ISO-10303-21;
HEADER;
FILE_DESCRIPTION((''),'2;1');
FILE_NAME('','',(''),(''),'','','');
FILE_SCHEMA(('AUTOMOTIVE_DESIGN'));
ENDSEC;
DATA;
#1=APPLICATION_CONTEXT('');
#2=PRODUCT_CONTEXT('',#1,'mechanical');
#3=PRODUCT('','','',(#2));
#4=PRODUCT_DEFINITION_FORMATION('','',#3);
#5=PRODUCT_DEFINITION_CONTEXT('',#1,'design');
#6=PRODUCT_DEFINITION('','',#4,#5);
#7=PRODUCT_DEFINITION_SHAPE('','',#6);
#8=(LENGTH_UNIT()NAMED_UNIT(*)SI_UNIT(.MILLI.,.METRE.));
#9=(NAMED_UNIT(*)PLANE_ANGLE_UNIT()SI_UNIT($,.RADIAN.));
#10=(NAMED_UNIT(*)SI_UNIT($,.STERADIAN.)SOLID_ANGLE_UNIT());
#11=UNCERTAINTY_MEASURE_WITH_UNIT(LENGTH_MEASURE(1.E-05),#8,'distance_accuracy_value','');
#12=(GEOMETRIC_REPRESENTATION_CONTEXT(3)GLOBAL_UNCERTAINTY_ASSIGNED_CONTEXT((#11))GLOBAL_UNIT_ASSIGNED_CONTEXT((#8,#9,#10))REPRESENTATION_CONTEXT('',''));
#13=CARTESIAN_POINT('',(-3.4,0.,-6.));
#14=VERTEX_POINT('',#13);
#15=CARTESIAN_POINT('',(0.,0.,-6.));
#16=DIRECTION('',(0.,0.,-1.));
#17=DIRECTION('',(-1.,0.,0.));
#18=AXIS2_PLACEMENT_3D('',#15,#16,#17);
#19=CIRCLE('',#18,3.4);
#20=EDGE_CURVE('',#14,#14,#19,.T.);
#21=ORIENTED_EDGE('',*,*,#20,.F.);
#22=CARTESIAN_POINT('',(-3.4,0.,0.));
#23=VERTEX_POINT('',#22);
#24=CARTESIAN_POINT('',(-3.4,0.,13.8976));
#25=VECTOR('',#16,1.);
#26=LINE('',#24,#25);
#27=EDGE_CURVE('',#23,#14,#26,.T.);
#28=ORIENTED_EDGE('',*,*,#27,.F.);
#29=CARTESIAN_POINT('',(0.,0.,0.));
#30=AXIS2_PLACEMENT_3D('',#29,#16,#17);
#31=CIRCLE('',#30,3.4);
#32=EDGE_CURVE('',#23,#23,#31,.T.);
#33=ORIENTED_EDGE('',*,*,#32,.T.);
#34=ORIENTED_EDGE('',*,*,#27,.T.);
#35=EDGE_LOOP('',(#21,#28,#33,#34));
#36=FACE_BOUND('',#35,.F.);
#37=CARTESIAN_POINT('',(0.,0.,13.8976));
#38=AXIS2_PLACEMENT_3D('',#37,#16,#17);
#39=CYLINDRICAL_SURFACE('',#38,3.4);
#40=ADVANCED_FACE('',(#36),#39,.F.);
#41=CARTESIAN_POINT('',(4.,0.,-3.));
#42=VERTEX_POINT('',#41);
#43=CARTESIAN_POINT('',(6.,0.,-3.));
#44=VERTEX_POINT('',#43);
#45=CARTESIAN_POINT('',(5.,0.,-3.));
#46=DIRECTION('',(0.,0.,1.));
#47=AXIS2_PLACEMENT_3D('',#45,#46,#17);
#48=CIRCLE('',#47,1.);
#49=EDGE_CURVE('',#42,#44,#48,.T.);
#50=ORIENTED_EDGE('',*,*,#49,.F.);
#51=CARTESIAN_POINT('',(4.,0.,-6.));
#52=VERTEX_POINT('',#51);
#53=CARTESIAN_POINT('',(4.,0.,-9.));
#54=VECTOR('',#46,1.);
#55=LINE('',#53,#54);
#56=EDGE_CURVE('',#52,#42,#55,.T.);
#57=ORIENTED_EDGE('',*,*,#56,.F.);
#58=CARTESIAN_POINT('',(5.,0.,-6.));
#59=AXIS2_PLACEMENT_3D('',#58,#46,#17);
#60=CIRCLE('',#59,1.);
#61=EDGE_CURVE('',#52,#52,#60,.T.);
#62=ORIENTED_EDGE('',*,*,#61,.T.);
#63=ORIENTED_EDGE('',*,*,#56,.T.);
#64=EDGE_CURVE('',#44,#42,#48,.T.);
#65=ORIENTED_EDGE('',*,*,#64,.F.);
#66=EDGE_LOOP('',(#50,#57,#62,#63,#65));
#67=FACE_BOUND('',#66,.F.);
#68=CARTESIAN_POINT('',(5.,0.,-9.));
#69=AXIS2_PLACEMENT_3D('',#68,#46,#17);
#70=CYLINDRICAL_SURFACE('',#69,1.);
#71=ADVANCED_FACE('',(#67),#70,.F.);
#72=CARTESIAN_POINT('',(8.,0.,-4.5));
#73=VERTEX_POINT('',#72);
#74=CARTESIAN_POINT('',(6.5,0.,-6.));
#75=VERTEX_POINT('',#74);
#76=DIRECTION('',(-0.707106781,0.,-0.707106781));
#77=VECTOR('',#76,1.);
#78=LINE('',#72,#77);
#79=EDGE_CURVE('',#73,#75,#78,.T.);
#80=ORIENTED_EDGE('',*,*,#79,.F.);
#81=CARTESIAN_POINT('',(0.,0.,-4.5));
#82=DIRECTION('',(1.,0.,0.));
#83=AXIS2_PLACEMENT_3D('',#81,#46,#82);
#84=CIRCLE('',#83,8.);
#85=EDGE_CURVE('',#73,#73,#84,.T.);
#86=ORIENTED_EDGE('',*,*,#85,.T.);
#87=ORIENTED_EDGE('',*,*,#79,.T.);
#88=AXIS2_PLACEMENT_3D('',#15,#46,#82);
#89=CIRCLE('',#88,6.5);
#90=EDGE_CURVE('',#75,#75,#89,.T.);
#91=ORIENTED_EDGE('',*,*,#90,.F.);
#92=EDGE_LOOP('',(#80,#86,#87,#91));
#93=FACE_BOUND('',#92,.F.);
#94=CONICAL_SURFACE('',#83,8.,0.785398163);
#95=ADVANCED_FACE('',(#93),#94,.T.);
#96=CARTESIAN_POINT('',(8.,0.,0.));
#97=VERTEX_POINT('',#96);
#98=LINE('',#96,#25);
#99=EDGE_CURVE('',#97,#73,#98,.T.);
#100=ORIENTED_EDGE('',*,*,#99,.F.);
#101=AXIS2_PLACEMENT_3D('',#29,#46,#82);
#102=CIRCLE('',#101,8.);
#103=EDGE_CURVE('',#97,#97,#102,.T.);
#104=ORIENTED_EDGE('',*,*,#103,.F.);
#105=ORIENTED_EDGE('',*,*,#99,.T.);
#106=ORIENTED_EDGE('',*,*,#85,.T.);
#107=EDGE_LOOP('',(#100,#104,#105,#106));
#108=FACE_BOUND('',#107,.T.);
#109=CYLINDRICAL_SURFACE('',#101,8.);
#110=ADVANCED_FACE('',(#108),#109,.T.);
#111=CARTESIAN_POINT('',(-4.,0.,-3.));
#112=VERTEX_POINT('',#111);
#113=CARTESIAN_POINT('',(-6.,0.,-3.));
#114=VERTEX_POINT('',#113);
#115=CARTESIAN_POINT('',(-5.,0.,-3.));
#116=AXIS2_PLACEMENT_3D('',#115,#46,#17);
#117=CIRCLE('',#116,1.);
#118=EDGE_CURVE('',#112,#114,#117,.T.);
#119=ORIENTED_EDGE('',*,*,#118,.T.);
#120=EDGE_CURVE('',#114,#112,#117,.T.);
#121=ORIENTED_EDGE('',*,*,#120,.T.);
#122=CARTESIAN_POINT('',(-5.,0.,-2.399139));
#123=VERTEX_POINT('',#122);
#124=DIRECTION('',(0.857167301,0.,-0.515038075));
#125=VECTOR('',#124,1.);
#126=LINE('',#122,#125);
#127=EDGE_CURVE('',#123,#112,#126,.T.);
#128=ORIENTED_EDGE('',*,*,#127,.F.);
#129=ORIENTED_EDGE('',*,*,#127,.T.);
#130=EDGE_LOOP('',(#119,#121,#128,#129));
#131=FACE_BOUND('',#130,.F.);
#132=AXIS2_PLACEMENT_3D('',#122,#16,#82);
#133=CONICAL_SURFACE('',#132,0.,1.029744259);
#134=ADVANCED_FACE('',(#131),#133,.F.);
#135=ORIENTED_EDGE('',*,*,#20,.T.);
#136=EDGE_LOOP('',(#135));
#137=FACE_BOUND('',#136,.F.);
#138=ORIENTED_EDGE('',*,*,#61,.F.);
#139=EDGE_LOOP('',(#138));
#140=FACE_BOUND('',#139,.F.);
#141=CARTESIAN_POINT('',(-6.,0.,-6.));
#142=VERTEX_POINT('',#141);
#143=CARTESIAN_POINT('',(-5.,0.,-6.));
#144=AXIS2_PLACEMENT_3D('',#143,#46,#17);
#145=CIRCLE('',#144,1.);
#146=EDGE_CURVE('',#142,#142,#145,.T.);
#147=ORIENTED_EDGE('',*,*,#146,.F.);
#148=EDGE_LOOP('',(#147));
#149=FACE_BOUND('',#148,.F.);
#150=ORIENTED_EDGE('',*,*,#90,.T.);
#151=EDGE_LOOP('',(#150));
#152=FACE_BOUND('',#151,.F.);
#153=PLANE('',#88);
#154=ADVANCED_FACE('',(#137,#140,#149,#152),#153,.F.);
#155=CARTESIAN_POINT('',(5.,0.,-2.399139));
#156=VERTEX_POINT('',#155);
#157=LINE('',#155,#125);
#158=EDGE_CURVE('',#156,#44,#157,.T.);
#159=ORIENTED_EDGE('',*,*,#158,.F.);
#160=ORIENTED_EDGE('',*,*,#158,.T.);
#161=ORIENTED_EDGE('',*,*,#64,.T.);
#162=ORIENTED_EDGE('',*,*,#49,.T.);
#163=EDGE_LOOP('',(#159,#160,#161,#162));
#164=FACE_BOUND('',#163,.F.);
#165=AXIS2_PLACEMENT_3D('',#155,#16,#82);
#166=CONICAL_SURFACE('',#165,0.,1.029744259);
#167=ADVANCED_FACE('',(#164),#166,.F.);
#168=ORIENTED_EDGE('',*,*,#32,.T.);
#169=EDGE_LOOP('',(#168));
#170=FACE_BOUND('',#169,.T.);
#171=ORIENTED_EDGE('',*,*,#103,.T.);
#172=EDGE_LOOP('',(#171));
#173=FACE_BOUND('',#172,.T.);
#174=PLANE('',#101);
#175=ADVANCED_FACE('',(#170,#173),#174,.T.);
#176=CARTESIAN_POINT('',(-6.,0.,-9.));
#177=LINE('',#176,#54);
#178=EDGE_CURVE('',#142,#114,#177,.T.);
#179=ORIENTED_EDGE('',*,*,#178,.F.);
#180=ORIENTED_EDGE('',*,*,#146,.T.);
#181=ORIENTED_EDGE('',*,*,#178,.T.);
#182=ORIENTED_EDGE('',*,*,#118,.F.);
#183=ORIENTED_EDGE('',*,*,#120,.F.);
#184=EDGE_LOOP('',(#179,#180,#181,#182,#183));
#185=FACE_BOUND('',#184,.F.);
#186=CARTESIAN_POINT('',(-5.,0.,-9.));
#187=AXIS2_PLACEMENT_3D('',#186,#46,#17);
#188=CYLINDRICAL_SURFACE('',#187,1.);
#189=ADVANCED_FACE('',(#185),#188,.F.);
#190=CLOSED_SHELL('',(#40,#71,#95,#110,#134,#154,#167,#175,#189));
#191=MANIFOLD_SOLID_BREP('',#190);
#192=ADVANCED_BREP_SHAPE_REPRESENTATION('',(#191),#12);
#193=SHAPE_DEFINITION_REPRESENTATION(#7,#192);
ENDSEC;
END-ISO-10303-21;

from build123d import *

# Parameters (mm, degrees)
F0_R     = 8
F2_DEPTH = 6
F3_D     = 6.8
F3_DEPTH = 13.8976
F3_TIP   = 2.0429261047
F4_SIZE  = 1.5
F6_D     = 2
F6_DEPTH = 3
F6_TIP   = 0.600860619


with BuildPart() as f2:
    # F0 (on Top) → F2 (new body)
    with BuildSketch(Plane.XY):
        Circle(F0_R)
    extrude(amount=-F2_DEPTH)

    # F3
    with Locations(Plane.XY):
        with Locations((0, 0)):
            Hole(F3_D / 2, depth=F3_DEPTH)
            with Locations((0, 0, -(F3_DEPTH + F3_TIP / 2))):  # 118° drill point
                Cone(0, F3_D / 2, F3_TIP, mode=Mode.SUBTRACT)

    # F4
    f4_edges = [f2.edges().sort_by_distance(p)[0] for p in [
        (-8, 0, -6),
    ]]
    chamfer(f4_edges, length=F4_SIZE)

    # F6
    with Locations(Plane(origin=(0, 0, -6), x_dir=(1, 0, 0), z_dir=(0, 0, -1))):
        with Locations((-5, 0), (5, 0)):
            Hole(F6_D / 2, depth=F6_DEPTH)
            with Locations((0, 0, -(F6_DEPTH + F6_TIP / 2))):  # 118° drill point
                Cone(0, F6_D / 2, F6_TIP, mode=Mode.SUBTRACT)


solid = f2.part
